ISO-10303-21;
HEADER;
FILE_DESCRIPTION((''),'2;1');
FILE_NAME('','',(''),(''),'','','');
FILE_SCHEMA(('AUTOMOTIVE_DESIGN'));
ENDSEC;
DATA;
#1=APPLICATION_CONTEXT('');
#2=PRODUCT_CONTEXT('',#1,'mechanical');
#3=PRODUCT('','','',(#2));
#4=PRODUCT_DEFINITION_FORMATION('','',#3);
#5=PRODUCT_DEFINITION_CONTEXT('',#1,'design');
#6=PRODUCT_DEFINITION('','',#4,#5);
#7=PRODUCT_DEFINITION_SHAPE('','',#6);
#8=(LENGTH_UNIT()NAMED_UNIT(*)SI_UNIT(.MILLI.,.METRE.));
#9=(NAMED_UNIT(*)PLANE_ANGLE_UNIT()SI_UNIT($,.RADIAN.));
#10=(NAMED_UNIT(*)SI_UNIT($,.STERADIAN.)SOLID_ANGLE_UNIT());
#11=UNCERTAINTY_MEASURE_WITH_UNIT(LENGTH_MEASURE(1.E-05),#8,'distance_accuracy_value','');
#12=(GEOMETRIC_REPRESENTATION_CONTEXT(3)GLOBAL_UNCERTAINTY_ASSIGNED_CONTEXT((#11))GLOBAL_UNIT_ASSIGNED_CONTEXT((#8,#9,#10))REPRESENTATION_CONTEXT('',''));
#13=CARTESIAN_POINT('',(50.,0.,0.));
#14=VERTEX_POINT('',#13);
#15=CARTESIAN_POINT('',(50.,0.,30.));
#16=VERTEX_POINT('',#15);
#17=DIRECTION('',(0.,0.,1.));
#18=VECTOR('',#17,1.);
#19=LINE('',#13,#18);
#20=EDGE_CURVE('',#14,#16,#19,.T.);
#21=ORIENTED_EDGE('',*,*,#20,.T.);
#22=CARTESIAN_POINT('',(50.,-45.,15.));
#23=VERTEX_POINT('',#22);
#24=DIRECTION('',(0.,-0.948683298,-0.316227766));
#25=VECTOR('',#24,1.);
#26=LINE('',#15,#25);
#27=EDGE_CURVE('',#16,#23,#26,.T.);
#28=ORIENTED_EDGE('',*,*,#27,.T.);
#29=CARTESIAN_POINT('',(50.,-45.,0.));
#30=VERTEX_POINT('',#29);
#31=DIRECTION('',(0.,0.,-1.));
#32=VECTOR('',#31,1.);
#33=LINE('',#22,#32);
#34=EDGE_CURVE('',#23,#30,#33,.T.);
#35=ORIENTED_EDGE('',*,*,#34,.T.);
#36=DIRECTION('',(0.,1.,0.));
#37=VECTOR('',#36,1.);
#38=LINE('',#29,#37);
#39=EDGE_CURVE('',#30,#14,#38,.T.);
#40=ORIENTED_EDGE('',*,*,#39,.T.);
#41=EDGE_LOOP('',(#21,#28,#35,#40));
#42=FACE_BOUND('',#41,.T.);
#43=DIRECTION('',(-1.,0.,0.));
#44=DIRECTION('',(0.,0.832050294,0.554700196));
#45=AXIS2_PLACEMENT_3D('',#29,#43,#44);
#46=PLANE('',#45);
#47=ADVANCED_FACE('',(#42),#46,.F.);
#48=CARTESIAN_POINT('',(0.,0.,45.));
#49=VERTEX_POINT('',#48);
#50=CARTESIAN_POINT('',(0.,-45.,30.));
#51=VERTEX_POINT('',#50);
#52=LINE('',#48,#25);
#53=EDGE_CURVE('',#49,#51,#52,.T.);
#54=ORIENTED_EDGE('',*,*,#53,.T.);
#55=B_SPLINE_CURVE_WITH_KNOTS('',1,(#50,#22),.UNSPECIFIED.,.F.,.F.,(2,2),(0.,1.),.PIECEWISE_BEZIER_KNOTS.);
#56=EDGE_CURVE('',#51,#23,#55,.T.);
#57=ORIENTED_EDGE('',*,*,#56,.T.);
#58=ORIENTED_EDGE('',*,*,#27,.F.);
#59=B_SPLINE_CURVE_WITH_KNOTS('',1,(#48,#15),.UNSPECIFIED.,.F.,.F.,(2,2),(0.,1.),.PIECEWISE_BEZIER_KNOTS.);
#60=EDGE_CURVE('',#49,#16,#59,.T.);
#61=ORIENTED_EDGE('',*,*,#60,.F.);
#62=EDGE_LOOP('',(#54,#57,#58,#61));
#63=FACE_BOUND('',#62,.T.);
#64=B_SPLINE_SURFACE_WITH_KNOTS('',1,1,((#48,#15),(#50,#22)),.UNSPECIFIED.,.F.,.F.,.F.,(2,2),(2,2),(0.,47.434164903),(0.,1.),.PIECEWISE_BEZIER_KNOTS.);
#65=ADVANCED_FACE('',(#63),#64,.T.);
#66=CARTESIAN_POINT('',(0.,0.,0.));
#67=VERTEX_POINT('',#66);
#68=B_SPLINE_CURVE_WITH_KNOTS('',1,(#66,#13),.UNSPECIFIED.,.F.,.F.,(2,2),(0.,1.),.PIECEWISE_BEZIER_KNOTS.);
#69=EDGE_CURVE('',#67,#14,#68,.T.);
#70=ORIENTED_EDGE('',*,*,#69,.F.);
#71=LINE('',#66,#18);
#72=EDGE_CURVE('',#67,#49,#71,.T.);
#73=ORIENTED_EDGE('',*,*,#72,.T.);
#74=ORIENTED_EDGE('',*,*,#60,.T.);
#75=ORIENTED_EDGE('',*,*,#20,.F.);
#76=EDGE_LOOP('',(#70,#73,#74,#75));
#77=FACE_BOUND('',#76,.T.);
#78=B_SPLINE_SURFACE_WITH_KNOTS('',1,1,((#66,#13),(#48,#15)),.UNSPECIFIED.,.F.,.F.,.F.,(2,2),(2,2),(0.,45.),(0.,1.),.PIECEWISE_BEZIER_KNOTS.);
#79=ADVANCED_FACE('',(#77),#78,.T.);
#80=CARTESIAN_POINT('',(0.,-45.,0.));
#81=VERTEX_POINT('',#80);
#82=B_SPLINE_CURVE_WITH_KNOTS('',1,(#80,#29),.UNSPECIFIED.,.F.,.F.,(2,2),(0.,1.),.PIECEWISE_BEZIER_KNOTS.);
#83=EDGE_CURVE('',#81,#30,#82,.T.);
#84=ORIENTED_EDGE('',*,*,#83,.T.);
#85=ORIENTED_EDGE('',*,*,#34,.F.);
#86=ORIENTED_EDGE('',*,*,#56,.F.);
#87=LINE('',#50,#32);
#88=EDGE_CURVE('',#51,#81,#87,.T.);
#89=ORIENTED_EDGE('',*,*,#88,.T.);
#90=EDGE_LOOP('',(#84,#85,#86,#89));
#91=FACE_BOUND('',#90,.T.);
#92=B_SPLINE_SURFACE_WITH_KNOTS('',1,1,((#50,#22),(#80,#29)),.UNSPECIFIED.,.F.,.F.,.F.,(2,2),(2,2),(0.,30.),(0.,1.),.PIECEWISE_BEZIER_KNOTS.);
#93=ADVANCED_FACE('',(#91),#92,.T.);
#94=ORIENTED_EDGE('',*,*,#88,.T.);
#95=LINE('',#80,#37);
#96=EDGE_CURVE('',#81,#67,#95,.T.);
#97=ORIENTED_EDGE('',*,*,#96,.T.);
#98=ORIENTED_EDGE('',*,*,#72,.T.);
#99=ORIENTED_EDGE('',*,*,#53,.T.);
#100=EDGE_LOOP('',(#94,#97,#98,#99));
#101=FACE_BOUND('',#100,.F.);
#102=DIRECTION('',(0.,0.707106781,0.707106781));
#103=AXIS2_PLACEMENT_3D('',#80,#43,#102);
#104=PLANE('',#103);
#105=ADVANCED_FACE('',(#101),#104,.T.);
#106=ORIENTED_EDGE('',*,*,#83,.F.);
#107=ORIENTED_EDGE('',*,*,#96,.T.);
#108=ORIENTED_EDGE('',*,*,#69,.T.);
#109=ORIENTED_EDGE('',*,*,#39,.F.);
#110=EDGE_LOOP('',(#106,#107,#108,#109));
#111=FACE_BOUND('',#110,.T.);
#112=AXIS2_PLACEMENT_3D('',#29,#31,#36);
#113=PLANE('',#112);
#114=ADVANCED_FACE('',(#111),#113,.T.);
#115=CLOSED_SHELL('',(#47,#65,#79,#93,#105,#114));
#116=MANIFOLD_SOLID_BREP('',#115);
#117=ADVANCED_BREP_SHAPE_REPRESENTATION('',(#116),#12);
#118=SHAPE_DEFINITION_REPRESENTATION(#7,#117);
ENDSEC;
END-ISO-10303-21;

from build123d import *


with BuildPart() as f3:
    # F0 (on Right) → F3 section 0
    with BuildSketch(Plane.YZ):
        Polygon((-45, 0), (0, 0), (0, 45), (-45, 30), align=None)
    # F2 (on offset) → F3 section 1
    with BuildSketch(Plane.YZ.offset(50)):
        Polygon((-45, 0), (0, 0), (0, 30), (-45, 15), align=None)
    loft()


solid = f3.part
